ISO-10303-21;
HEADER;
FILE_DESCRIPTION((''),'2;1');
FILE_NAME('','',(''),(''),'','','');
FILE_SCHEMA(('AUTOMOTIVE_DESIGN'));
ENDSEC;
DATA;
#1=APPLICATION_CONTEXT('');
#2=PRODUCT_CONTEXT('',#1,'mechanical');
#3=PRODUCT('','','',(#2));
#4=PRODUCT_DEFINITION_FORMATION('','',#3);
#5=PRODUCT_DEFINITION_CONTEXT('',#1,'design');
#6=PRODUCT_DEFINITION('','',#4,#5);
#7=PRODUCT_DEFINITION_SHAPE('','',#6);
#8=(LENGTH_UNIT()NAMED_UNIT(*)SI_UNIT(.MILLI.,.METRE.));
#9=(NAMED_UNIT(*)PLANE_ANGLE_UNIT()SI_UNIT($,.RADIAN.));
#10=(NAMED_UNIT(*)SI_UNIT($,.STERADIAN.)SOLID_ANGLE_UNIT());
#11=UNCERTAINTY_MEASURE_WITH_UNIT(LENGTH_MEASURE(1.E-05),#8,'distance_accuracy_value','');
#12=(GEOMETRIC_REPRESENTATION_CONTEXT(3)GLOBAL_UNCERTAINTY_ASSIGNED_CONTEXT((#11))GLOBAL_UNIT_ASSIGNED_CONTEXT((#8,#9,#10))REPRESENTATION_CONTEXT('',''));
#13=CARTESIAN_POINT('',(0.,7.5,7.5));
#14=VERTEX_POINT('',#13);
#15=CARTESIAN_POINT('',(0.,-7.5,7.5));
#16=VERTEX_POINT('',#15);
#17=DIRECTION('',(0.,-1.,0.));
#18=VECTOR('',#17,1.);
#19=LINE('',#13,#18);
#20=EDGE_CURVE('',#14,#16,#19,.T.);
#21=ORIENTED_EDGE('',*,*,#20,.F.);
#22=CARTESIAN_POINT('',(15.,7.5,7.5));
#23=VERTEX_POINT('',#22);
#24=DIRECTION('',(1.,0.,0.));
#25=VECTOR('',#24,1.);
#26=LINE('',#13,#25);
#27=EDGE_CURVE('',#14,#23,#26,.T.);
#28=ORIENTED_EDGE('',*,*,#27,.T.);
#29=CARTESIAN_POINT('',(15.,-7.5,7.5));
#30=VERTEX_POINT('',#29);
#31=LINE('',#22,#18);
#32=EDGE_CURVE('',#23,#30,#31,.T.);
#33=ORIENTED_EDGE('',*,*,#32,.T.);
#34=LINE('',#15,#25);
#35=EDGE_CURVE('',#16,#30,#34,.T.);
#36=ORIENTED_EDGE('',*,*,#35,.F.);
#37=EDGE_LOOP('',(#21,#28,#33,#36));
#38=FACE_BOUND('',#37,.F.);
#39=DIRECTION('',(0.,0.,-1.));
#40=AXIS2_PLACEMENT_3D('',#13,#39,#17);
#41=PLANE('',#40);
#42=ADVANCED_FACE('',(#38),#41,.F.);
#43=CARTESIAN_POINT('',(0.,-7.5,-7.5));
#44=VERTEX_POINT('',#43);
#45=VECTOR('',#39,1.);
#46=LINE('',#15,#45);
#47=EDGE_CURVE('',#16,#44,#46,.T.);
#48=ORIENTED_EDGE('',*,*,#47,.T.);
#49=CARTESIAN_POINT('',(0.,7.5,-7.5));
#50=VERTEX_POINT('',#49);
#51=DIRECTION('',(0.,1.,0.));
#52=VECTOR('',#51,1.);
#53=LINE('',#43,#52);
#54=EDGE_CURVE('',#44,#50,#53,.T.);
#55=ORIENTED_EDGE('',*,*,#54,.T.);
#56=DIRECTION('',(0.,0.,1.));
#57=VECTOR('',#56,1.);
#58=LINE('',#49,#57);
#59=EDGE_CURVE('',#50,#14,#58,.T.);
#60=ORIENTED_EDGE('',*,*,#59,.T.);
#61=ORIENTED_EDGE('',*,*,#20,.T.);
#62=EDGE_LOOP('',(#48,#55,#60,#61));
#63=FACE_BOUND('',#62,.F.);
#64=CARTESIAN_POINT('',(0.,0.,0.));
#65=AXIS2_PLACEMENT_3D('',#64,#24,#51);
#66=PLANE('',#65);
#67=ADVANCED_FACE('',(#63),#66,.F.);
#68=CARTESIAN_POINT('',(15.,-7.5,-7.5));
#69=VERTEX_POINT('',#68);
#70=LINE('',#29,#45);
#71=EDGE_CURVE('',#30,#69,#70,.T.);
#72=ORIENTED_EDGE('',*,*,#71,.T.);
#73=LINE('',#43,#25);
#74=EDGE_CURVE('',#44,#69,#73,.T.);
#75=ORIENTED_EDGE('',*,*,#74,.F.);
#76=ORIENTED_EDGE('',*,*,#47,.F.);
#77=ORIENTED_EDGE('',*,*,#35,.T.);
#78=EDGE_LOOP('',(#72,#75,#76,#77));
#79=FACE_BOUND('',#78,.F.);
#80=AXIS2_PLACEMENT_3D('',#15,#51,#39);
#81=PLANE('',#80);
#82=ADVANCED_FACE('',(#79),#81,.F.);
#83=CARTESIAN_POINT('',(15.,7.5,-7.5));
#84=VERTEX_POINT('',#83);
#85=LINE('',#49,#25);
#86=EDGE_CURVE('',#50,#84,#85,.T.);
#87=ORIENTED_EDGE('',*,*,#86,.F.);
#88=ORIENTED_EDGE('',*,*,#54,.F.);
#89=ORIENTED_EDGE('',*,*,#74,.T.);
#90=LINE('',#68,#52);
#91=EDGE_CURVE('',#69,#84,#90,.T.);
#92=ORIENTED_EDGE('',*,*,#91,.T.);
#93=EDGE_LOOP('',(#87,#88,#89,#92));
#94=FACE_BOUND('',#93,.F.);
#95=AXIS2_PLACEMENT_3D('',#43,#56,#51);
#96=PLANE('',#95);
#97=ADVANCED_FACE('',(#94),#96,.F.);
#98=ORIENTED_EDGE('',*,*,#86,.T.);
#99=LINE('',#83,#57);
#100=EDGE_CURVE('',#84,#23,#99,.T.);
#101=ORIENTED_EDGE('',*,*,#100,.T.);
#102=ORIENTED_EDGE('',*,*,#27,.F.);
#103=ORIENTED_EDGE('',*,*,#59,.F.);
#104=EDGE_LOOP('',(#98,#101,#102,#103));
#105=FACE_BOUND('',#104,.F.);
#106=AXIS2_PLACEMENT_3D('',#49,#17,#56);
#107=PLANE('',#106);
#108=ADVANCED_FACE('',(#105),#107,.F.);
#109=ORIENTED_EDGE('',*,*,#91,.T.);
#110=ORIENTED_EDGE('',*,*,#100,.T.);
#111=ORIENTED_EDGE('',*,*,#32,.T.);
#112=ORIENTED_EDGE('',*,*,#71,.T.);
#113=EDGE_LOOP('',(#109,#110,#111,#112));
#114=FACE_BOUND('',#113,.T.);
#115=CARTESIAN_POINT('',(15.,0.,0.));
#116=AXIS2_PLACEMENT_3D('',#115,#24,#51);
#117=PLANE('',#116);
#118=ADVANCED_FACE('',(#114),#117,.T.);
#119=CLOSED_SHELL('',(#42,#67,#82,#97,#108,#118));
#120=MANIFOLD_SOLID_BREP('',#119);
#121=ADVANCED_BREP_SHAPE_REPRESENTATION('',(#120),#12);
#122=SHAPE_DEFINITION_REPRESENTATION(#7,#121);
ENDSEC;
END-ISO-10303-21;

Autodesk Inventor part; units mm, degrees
ref_plane "YZ Plane" through (0, 0, 0) normal (1, 0, 0) x (0, 1, 0)
ref_plane "XZ Plane" through (0, 0, 0) normal (0, 1, 0) x (-1, 0, 0)
ref_plane "XY Plane" through (0, 0, 0) normal (0, 0, 1) x (1, 0, 0)
sketch "Sketch1" plane through (0, 0, 0) normal (1, 0, 0) x (0, 1, 0)
  line L0 (-7.5, -7.5) -> (7.5, -7.5)
  line L1 (7.5, -7.5) -> (7.5, 7.5)
  line L2 (7.5, 7.5) -> (-7.5, 7.5)
  line L3 (-7.5, 7.5) -> (-7.5, -7.5)
  line L4 (-7.5, -7.5) -> (7.5, 7.5) construction
  line L5 (7.5, -7.5) -> (-7.5, 7.5) construction
  point P0 (0, 0)
  dimension "d0" = 15
extrude "Extrusion1" add sketch "Sketch1" along normal blind 15
properties part number "Beam_CornerCube" material "Aluminum 6061"
